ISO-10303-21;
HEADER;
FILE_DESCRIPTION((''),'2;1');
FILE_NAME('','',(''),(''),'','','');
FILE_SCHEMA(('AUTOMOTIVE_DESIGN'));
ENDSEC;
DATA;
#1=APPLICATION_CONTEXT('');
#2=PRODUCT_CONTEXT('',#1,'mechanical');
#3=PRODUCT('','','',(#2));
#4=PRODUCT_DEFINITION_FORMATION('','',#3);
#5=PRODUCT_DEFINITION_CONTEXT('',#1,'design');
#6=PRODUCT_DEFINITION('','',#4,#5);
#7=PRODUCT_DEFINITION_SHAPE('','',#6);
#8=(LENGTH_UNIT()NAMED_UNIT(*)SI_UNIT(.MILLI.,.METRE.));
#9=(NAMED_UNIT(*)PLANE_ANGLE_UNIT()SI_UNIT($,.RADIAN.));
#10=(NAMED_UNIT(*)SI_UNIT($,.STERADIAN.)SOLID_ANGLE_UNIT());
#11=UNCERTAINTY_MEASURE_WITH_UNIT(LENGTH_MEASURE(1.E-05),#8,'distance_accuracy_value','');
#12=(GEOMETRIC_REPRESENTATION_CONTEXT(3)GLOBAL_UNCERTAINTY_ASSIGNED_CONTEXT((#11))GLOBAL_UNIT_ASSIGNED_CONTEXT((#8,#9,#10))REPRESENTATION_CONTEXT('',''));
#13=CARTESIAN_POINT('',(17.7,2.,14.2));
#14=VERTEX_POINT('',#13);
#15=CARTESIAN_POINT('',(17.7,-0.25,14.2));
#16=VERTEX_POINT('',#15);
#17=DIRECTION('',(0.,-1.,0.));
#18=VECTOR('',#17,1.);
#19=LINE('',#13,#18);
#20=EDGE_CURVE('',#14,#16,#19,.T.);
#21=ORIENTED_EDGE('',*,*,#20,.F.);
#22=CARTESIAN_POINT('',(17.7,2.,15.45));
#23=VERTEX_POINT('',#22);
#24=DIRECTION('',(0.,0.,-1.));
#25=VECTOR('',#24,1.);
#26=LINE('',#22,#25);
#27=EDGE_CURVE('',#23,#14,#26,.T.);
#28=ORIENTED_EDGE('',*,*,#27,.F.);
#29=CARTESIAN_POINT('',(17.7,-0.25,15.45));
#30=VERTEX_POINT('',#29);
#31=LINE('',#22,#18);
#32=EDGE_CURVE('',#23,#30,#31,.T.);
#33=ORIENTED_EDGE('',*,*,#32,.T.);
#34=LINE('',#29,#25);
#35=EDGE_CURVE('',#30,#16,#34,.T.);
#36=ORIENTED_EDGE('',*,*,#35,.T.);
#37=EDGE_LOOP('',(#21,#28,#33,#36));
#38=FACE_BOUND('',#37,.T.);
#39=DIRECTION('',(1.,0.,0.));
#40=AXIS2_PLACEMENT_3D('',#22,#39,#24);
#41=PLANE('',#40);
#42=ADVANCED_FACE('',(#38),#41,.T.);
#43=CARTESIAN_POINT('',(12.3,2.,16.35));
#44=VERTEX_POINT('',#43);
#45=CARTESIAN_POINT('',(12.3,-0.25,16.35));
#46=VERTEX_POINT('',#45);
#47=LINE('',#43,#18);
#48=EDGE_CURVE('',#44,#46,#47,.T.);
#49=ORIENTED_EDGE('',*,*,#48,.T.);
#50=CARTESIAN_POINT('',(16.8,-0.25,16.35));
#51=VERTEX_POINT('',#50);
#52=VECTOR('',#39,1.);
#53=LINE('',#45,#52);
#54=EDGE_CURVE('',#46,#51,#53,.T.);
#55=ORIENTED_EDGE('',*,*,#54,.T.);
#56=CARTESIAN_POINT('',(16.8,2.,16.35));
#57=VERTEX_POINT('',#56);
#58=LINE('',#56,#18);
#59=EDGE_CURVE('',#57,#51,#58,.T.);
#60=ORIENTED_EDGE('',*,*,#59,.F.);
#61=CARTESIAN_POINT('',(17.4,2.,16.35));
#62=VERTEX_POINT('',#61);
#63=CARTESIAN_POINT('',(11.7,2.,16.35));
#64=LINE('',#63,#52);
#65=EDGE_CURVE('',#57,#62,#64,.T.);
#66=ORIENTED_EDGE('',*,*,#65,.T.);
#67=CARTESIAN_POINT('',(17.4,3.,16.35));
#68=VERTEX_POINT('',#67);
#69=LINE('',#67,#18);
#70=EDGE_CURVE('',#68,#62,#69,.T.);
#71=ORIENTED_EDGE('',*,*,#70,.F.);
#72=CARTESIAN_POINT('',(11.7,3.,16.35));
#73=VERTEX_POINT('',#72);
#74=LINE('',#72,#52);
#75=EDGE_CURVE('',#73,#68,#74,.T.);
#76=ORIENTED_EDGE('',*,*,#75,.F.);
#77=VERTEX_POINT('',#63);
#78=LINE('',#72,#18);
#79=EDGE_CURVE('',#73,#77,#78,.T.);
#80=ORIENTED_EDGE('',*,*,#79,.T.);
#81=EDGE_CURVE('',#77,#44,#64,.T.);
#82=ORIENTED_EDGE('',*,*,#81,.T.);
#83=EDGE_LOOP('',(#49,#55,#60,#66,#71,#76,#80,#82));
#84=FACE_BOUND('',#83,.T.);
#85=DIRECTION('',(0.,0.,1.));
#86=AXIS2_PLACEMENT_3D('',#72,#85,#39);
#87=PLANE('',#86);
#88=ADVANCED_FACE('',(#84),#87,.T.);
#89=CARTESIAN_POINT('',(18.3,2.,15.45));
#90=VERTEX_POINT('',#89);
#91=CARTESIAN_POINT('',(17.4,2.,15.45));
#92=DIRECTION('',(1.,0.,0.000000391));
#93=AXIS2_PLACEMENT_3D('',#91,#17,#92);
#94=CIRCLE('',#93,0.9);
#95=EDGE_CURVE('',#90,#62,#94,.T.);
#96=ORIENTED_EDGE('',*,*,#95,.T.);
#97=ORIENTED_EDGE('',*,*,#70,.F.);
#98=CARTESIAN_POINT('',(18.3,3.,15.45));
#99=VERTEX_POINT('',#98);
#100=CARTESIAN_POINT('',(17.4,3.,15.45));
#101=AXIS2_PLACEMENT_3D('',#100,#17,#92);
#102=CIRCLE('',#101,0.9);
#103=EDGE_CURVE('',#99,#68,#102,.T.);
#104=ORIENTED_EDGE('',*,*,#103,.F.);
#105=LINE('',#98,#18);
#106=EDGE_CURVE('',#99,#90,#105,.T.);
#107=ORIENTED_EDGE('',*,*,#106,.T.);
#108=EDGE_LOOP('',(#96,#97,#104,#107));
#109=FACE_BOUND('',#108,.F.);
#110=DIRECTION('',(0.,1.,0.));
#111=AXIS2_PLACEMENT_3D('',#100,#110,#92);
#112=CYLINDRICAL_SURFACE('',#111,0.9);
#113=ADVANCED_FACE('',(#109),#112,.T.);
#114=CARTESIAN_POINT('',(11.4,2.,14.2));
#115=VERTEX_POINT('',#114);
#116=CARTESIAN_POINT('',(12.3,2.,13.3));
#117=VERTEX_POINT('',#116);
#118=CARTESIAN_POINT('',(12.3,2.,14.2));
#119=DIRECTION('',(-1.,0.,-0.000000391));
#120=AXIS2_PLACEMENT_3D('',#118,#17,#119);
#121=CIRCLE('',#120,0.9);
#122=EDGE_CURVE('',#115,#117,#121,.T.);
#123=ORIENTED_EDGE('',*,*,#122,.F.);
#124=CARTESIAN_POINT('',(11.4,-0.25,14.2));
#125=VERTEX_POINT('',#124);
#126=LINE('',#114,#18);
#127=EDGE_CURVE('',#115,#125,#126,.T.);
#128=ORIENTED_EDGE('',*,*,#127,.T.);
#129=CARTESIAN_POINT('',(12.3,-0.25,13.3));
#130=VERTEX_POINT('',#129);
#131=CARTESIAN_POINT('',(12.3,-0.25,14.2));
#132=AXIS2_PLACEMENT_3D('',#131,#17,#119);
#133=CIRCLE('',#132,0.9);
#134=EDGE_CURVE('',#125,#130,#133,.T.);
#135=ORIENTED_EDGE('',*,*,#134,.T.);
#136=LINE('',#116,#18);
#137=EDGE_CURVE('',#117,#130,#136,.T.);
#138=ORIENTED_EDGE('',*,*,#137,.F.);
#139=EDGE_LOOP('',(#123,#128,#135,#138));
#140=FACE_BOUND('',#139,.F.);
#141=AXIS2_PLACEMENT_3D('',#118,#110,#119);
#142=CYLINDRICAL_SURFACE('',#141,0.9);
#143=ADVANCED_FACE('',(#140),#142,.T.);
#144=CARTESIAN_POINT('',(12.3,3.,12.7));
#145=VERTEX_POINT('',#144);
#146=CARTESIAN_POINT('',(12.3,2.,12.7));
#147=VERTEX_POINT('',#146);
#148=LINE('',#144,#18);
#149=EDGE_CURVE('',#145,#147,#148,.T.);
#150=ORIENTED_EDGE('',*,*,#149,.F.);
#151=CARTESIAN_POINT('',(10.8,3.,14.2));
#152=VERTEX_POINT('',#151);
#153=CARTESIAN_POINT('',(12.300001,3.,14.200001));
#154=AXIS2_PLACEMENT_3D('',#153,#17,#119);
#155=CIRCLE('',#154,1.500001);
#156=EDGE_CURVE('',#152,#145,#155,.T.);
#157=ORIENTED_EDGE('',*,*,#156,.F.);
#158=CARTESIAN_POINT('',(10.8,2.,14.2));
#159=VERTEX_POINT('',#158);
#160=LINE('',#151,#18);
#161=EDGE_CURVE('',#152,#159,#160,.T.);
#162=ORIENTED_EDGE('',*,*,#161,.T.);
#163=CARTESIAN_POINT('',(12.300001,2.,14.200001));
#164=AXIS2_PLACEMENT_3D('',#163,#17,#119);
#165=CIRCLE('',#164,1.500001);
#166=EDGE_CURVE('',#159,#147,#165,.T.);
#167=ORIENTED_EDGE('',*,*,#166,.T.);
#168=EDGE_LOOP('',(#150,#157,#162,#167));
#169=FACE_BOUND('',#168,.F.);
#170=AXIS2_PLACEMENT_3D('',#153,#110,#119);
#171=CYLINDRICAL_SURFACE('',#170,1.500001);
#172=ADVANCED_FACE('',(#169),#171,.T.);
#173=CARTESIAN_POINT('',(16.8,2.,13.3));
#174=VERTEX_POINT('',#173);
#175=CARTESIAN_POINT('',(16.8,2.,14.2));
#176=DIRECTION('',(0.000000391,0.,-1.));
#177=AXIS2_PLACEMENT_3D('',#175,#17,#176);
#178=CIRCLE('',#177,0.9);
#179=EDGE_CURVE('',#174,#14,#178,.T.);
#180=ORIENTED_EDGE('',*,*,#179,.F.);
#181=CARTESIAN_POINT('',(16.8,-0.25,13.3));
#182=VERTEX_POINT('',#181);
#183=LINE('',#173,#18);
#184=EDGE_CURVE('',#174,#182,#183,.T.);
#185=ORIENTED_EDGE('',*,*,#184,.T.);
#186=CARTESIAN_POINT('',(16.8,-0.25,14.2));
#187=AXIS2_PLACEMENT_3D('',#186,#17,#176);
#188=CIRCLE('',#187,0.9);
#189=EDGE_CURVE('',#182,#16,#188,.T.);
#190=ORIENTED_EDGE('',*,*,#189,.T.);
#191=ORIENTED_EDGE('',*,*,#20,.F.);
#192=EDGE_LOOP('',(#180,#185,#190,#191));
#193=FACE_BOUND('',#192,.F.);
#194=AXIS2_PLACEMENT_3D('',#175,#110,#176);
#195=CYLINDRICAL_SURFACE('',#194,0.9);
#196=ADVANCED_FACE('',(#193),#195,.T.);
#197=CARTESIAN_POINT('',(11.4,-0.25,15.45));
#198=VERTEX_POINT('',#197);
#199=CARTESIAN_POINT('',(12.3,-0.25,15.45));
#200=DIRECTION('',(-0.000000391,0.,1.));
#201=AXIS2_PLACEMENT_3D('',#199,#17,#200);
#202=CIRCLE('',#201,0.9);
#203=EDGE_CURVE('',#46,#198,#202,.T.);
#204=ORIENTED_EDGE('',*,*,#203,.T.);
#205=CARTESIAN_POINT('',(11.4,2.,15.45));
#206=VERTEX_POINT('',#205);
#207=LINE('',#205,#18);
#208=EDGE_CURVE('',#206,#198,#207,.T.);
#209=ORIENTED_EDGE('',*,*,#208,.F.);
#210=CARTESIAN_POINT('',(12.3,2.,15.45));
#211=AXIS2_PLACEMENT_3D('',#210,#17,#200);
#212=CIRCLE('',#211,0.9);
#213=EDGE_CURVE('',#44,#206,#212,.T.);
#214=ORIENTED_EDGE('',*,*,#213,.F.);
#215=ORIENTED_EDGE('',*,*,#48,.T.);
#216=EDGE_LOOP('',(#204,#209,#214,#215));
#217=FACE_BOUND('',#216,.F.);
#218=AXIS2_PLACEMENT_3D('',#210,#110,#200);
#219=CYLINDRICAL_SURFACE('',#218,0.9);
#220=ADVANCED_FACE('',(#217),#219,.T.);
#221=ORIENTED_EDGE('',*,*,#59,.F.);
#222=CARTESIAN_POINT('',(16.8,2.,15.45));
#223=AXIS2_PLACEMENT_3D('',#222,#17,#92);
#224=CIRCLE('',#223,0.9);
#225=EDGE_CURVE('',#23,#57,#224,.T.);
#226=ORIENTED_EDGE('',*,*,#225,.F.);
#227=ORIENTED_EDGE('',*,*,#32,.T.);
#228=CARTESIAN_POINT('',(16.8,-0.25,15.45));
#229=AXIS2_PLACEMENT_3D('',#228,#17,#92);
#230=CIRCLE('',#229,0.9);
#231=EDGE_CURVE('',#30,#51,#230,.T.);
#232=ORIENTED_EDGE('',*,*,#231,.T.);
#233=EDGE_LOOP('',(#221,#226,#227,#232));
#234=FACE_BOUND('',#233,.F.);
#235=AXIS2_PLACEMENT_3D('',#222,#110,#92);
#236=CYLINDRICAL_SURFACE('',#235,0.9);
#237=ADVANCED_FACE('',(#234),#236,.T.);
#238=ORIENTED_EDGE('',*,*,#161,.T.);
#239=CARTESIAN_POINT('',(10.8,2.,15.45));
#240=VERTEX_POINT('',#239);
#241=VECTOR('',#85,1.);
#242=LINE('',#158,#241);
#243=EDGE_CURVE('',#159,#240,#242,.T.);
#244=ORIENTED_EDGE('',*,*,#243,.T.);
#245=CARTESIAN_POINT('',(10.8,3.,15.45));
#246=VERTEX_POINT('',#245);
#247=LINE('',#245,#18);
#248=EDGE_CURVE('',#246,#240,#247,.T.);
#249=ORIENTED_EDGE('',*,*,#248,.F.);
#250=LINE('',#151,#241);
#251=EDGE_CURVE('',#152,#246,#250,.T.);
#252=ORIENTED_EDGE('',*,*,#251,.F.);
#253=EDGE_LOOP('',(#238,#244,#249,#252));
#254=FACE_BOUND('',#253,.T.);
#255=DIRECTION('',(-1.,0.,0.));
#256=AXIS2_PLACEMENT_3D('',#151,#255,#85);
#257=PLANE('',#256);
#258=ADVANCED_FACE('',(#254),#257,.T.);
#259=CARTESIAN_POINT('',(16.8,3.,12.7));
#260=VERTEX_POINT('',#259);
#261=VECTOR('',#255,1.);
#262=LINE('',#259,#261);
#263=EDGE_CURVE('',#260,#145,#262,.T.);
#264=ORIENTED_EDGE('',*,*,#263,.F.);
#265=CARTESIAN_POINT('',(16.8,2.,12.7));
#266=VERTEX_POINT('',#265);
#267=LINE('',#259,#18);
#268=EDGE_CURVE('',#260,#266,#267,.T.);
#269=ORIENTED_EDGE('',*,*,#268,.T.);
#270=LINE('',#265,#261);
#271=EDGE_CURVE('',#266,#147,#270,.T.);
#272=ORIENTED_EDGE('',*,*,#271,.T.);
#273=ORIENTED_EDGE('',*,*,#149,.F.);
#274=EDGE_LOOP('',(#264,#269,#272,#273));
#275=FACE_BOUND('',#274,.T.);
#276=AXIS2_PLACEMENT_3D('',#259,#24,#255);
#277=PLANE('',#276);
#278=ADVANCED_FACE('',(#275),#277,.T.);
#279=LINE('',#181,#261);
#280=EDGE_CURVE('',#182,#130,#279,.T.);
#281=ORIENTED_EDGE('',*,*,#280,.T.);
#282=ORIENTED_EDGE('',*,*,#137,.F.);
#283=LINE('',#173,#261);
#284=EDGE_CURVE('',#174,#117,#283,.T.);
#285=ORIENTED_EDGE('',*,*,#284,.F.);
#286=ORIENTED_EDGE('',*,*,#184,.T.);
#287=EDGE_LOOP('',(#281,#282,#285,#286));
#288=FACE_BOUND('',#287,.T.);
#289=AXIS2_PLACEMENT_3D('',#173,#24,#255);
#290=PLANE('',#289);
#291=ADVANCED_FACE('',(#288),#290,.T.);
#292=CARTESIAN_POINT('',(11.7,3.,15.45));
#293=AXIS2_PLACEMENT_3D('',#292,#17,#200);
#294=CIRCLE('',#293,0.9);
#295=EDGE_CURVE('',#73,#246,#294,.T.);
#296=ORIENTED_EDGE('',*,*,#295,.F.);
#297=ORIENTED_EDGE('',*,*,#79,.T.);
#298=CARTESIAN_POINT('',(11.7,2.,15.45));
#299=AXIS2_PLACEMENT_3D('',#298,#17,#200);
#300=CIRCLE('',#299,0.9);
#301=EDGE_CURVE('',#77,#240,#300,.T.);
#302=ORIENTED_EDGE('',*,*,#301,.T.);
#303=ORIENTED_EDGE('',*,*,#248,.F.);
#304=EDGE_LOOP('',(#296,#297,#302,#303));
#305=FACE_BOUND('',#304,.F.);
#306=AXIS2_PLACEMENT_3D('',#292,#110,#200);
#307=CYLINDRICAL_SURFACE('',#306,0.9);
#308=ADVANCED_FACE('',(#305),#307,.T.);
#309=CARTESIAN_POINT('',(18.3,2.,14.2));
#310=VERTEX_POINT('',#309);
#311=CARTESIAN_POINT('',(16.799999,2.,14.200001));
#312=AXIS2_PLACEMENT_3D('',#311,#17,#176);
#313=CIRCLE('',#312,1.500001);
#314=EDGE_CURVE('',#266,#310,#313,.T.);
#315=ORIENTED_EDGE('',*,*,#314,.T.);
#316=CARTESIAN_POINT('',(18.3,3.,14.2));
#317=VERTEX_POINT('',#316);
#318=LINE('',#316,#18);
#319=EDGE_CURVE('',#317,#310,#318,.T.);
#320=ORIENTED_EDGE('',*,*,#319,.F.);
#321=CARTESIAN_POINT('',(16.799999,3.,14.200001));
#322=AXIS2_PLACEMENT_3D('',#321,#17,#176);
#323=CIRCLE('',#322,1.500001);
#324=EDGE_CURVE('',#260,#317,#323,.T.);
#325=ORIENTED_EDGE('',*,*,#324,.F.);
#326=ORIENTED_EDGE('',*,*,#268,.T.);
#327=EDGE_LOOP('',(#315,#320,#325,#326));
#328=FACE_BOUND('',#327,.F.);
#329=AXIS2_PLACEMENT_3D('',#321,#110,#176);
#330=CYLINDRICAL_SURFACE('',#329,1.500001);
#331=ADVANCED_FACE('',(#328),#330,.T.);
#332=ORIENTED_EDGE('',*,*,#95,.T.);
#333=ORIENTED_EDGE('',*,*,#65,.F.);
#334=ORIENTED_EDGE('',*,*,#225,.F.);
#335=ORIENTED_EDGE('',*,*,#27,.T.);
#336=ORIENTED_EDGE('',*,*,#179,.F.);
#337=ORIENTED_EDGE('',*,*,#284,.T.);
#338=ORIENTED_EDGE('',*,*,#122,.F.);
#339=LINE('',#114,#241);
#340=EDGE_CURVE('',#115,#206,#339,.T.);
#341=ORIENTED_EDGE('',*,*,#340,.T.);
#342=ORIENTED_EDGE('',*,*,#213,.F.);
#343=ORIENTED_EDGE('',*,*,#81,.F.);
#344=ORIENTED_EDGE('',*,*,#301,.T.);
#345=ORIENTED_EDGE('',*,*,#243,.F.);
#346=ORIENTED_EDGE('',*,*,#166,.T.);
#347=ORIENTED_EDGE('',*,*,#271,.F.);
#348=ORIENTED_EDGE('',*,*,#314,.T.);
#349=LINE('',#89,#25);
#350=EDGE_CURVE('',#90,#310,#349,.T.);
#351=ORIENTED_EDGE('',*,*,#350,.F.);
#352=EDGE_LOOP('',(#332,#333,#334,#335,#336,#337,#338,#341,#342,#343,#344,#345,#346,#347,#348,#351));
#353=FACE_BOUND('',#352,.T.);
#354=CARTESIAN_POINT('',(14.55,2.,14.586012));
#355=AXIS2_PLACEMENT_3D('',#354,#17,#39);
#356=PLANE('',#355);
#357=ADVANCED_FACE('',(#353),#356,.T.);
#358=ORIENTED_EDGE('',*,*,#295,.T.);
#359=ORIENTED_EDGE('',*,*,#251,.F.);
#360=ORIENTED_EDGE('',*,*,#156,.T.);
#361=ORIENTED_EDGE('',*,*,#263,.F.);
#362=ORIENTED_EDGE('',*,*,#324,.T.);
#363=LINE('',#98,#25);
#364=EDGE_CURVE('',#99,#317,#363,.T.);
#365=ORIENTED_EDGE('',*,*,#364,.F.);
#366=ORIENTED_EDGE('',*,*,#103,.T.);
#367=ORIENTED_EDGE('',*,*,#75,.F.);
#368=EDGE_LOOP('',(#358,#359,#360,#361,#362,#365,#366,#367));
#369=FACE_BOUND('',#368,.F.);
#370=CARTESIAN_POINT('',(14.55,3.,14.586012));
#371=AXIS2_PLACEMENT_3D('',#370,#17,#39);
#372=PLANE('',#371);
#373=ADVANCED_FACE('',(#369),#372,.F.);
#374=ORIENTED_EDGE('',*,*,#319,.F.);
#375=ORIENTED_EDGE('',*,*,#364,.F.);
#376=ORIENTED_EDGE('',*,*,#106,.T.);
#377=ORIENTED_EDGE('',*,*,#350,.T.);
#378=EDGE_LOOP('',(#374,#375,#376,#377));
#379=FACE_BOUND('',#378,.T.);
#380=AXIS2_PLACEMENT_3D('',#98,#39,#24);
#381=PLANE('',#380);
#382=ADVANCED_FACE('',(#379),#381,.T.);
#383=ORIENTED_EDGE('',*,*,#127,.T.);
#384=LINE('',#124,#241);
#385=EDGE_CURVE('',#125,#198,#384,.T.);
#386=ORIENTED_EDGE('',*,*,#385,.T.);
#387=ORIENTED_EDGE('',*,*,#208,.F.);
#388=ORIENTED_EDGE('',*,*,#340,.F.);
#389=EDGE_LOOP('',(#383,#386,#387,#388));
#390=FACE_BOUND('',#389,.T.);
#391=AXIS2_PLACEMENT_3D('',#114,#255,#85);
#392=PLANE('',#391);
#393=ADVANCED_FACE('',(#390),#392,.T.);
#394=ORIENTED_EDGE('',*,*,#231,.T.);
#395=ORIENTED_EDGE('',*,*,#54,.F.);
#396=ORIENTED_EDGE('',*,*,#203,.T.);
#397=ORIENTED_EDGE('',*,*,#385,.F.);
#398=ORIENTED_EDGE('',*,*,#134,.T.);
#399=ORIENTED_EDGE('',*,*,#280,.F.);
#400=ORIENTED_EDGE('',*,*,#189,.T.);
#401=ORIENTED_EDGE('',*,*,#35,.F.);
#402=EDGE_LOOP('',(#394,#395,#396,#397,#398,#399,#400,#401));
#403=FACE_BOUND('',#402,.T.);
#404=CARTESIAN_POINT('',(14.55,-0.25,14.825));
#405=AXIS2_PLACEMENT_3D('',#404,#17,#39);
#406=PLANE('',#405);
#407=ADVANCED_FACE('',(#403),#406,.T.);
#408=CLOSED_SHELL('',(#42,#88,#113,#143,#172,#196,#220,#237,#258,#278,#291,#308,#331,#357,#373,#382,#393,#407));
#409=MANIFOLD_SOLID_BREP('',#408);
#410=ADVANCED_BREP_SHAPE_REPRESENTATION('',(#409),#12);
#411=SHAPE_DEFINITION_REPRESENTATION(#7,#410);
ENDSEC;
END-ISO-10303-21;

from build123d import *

# Parameters (mm, degrees)
EXTRUDE015_DEPTH = 1
EXTRUDE014_DEPTH = 2.25


with BuildPart() as extrude015:
    # Sketch015 → Extrude015 (new body)
    with BuildSketch(Plane.XZ):
        with BuildLine():
            ThreePointArc((11.7, 16.35), (11.063604, 16.086396), (10.8, 15.45))
            Line((10.8, 14.2), (10.8, 15.45))
            ThreePointArc((10.8, 14.2), (11.23934, 13.13934), (12.3, 12.7))
            Line((16.8, 12.7), (12.3, 12.7))
            ThreePointArc((16.8, 12.7), (17.86066, 13.13934), (18.3, 14.2))
            Line((18.3, 15.45), (18.3, 14.2))
            ThreePointArc((18.3, 15.45), (18.036396, 16.086396), (17.4, 16.35))
            Line((11.7, 16.35), (17.4, 16.35))
        make_face()
    extrude(amount=EXTRUDE015_DEPTH)


with BuildPart() as extrude015_1:
    # Extrude015 placement: moved
    add(extrude015.part.moved(Location((0, 3, 0))))


with BuildPart() as button1:
    # Sketch014 → Extrude014 (new body)
    with BuildSketch(Plane.XZ):
        with BuildLine():
            ThreePointArc((12.3, 16.35), (11.663604, 16.086396), (11.4, 15.45))
            Line((11.4, 14.2), (11.4, 15.45))
            ThreePointArc((11.4, 14.2), (11.663604, 13.563604), (12.3, 13.3))
            Line((16.8, 13.3), (12.3, 13.3))
            ThreePointArc((16.8, 13.3), (17.436396, 13.563604), (17.7, 14.2))
            Line((17.7, 15.45), (17.7, 14.2))
            ThreePointArc((17.7, 15.45), (17.436396, 16.086396), (16.8, 16.35))
            Line((12.3, 16.35), (16.8, 16.35))
        make_face()
    extrude(amount=EXTRUDE014_DEPTH)


with BuildPart() as button1_1:
    # Extrude014 placement: moved
    add(button1.part.moved(Location((0, 2, 0))))

    # Fusion018: union Extrude015
    add(extrude015_1.part)


solid = button1_1.part
